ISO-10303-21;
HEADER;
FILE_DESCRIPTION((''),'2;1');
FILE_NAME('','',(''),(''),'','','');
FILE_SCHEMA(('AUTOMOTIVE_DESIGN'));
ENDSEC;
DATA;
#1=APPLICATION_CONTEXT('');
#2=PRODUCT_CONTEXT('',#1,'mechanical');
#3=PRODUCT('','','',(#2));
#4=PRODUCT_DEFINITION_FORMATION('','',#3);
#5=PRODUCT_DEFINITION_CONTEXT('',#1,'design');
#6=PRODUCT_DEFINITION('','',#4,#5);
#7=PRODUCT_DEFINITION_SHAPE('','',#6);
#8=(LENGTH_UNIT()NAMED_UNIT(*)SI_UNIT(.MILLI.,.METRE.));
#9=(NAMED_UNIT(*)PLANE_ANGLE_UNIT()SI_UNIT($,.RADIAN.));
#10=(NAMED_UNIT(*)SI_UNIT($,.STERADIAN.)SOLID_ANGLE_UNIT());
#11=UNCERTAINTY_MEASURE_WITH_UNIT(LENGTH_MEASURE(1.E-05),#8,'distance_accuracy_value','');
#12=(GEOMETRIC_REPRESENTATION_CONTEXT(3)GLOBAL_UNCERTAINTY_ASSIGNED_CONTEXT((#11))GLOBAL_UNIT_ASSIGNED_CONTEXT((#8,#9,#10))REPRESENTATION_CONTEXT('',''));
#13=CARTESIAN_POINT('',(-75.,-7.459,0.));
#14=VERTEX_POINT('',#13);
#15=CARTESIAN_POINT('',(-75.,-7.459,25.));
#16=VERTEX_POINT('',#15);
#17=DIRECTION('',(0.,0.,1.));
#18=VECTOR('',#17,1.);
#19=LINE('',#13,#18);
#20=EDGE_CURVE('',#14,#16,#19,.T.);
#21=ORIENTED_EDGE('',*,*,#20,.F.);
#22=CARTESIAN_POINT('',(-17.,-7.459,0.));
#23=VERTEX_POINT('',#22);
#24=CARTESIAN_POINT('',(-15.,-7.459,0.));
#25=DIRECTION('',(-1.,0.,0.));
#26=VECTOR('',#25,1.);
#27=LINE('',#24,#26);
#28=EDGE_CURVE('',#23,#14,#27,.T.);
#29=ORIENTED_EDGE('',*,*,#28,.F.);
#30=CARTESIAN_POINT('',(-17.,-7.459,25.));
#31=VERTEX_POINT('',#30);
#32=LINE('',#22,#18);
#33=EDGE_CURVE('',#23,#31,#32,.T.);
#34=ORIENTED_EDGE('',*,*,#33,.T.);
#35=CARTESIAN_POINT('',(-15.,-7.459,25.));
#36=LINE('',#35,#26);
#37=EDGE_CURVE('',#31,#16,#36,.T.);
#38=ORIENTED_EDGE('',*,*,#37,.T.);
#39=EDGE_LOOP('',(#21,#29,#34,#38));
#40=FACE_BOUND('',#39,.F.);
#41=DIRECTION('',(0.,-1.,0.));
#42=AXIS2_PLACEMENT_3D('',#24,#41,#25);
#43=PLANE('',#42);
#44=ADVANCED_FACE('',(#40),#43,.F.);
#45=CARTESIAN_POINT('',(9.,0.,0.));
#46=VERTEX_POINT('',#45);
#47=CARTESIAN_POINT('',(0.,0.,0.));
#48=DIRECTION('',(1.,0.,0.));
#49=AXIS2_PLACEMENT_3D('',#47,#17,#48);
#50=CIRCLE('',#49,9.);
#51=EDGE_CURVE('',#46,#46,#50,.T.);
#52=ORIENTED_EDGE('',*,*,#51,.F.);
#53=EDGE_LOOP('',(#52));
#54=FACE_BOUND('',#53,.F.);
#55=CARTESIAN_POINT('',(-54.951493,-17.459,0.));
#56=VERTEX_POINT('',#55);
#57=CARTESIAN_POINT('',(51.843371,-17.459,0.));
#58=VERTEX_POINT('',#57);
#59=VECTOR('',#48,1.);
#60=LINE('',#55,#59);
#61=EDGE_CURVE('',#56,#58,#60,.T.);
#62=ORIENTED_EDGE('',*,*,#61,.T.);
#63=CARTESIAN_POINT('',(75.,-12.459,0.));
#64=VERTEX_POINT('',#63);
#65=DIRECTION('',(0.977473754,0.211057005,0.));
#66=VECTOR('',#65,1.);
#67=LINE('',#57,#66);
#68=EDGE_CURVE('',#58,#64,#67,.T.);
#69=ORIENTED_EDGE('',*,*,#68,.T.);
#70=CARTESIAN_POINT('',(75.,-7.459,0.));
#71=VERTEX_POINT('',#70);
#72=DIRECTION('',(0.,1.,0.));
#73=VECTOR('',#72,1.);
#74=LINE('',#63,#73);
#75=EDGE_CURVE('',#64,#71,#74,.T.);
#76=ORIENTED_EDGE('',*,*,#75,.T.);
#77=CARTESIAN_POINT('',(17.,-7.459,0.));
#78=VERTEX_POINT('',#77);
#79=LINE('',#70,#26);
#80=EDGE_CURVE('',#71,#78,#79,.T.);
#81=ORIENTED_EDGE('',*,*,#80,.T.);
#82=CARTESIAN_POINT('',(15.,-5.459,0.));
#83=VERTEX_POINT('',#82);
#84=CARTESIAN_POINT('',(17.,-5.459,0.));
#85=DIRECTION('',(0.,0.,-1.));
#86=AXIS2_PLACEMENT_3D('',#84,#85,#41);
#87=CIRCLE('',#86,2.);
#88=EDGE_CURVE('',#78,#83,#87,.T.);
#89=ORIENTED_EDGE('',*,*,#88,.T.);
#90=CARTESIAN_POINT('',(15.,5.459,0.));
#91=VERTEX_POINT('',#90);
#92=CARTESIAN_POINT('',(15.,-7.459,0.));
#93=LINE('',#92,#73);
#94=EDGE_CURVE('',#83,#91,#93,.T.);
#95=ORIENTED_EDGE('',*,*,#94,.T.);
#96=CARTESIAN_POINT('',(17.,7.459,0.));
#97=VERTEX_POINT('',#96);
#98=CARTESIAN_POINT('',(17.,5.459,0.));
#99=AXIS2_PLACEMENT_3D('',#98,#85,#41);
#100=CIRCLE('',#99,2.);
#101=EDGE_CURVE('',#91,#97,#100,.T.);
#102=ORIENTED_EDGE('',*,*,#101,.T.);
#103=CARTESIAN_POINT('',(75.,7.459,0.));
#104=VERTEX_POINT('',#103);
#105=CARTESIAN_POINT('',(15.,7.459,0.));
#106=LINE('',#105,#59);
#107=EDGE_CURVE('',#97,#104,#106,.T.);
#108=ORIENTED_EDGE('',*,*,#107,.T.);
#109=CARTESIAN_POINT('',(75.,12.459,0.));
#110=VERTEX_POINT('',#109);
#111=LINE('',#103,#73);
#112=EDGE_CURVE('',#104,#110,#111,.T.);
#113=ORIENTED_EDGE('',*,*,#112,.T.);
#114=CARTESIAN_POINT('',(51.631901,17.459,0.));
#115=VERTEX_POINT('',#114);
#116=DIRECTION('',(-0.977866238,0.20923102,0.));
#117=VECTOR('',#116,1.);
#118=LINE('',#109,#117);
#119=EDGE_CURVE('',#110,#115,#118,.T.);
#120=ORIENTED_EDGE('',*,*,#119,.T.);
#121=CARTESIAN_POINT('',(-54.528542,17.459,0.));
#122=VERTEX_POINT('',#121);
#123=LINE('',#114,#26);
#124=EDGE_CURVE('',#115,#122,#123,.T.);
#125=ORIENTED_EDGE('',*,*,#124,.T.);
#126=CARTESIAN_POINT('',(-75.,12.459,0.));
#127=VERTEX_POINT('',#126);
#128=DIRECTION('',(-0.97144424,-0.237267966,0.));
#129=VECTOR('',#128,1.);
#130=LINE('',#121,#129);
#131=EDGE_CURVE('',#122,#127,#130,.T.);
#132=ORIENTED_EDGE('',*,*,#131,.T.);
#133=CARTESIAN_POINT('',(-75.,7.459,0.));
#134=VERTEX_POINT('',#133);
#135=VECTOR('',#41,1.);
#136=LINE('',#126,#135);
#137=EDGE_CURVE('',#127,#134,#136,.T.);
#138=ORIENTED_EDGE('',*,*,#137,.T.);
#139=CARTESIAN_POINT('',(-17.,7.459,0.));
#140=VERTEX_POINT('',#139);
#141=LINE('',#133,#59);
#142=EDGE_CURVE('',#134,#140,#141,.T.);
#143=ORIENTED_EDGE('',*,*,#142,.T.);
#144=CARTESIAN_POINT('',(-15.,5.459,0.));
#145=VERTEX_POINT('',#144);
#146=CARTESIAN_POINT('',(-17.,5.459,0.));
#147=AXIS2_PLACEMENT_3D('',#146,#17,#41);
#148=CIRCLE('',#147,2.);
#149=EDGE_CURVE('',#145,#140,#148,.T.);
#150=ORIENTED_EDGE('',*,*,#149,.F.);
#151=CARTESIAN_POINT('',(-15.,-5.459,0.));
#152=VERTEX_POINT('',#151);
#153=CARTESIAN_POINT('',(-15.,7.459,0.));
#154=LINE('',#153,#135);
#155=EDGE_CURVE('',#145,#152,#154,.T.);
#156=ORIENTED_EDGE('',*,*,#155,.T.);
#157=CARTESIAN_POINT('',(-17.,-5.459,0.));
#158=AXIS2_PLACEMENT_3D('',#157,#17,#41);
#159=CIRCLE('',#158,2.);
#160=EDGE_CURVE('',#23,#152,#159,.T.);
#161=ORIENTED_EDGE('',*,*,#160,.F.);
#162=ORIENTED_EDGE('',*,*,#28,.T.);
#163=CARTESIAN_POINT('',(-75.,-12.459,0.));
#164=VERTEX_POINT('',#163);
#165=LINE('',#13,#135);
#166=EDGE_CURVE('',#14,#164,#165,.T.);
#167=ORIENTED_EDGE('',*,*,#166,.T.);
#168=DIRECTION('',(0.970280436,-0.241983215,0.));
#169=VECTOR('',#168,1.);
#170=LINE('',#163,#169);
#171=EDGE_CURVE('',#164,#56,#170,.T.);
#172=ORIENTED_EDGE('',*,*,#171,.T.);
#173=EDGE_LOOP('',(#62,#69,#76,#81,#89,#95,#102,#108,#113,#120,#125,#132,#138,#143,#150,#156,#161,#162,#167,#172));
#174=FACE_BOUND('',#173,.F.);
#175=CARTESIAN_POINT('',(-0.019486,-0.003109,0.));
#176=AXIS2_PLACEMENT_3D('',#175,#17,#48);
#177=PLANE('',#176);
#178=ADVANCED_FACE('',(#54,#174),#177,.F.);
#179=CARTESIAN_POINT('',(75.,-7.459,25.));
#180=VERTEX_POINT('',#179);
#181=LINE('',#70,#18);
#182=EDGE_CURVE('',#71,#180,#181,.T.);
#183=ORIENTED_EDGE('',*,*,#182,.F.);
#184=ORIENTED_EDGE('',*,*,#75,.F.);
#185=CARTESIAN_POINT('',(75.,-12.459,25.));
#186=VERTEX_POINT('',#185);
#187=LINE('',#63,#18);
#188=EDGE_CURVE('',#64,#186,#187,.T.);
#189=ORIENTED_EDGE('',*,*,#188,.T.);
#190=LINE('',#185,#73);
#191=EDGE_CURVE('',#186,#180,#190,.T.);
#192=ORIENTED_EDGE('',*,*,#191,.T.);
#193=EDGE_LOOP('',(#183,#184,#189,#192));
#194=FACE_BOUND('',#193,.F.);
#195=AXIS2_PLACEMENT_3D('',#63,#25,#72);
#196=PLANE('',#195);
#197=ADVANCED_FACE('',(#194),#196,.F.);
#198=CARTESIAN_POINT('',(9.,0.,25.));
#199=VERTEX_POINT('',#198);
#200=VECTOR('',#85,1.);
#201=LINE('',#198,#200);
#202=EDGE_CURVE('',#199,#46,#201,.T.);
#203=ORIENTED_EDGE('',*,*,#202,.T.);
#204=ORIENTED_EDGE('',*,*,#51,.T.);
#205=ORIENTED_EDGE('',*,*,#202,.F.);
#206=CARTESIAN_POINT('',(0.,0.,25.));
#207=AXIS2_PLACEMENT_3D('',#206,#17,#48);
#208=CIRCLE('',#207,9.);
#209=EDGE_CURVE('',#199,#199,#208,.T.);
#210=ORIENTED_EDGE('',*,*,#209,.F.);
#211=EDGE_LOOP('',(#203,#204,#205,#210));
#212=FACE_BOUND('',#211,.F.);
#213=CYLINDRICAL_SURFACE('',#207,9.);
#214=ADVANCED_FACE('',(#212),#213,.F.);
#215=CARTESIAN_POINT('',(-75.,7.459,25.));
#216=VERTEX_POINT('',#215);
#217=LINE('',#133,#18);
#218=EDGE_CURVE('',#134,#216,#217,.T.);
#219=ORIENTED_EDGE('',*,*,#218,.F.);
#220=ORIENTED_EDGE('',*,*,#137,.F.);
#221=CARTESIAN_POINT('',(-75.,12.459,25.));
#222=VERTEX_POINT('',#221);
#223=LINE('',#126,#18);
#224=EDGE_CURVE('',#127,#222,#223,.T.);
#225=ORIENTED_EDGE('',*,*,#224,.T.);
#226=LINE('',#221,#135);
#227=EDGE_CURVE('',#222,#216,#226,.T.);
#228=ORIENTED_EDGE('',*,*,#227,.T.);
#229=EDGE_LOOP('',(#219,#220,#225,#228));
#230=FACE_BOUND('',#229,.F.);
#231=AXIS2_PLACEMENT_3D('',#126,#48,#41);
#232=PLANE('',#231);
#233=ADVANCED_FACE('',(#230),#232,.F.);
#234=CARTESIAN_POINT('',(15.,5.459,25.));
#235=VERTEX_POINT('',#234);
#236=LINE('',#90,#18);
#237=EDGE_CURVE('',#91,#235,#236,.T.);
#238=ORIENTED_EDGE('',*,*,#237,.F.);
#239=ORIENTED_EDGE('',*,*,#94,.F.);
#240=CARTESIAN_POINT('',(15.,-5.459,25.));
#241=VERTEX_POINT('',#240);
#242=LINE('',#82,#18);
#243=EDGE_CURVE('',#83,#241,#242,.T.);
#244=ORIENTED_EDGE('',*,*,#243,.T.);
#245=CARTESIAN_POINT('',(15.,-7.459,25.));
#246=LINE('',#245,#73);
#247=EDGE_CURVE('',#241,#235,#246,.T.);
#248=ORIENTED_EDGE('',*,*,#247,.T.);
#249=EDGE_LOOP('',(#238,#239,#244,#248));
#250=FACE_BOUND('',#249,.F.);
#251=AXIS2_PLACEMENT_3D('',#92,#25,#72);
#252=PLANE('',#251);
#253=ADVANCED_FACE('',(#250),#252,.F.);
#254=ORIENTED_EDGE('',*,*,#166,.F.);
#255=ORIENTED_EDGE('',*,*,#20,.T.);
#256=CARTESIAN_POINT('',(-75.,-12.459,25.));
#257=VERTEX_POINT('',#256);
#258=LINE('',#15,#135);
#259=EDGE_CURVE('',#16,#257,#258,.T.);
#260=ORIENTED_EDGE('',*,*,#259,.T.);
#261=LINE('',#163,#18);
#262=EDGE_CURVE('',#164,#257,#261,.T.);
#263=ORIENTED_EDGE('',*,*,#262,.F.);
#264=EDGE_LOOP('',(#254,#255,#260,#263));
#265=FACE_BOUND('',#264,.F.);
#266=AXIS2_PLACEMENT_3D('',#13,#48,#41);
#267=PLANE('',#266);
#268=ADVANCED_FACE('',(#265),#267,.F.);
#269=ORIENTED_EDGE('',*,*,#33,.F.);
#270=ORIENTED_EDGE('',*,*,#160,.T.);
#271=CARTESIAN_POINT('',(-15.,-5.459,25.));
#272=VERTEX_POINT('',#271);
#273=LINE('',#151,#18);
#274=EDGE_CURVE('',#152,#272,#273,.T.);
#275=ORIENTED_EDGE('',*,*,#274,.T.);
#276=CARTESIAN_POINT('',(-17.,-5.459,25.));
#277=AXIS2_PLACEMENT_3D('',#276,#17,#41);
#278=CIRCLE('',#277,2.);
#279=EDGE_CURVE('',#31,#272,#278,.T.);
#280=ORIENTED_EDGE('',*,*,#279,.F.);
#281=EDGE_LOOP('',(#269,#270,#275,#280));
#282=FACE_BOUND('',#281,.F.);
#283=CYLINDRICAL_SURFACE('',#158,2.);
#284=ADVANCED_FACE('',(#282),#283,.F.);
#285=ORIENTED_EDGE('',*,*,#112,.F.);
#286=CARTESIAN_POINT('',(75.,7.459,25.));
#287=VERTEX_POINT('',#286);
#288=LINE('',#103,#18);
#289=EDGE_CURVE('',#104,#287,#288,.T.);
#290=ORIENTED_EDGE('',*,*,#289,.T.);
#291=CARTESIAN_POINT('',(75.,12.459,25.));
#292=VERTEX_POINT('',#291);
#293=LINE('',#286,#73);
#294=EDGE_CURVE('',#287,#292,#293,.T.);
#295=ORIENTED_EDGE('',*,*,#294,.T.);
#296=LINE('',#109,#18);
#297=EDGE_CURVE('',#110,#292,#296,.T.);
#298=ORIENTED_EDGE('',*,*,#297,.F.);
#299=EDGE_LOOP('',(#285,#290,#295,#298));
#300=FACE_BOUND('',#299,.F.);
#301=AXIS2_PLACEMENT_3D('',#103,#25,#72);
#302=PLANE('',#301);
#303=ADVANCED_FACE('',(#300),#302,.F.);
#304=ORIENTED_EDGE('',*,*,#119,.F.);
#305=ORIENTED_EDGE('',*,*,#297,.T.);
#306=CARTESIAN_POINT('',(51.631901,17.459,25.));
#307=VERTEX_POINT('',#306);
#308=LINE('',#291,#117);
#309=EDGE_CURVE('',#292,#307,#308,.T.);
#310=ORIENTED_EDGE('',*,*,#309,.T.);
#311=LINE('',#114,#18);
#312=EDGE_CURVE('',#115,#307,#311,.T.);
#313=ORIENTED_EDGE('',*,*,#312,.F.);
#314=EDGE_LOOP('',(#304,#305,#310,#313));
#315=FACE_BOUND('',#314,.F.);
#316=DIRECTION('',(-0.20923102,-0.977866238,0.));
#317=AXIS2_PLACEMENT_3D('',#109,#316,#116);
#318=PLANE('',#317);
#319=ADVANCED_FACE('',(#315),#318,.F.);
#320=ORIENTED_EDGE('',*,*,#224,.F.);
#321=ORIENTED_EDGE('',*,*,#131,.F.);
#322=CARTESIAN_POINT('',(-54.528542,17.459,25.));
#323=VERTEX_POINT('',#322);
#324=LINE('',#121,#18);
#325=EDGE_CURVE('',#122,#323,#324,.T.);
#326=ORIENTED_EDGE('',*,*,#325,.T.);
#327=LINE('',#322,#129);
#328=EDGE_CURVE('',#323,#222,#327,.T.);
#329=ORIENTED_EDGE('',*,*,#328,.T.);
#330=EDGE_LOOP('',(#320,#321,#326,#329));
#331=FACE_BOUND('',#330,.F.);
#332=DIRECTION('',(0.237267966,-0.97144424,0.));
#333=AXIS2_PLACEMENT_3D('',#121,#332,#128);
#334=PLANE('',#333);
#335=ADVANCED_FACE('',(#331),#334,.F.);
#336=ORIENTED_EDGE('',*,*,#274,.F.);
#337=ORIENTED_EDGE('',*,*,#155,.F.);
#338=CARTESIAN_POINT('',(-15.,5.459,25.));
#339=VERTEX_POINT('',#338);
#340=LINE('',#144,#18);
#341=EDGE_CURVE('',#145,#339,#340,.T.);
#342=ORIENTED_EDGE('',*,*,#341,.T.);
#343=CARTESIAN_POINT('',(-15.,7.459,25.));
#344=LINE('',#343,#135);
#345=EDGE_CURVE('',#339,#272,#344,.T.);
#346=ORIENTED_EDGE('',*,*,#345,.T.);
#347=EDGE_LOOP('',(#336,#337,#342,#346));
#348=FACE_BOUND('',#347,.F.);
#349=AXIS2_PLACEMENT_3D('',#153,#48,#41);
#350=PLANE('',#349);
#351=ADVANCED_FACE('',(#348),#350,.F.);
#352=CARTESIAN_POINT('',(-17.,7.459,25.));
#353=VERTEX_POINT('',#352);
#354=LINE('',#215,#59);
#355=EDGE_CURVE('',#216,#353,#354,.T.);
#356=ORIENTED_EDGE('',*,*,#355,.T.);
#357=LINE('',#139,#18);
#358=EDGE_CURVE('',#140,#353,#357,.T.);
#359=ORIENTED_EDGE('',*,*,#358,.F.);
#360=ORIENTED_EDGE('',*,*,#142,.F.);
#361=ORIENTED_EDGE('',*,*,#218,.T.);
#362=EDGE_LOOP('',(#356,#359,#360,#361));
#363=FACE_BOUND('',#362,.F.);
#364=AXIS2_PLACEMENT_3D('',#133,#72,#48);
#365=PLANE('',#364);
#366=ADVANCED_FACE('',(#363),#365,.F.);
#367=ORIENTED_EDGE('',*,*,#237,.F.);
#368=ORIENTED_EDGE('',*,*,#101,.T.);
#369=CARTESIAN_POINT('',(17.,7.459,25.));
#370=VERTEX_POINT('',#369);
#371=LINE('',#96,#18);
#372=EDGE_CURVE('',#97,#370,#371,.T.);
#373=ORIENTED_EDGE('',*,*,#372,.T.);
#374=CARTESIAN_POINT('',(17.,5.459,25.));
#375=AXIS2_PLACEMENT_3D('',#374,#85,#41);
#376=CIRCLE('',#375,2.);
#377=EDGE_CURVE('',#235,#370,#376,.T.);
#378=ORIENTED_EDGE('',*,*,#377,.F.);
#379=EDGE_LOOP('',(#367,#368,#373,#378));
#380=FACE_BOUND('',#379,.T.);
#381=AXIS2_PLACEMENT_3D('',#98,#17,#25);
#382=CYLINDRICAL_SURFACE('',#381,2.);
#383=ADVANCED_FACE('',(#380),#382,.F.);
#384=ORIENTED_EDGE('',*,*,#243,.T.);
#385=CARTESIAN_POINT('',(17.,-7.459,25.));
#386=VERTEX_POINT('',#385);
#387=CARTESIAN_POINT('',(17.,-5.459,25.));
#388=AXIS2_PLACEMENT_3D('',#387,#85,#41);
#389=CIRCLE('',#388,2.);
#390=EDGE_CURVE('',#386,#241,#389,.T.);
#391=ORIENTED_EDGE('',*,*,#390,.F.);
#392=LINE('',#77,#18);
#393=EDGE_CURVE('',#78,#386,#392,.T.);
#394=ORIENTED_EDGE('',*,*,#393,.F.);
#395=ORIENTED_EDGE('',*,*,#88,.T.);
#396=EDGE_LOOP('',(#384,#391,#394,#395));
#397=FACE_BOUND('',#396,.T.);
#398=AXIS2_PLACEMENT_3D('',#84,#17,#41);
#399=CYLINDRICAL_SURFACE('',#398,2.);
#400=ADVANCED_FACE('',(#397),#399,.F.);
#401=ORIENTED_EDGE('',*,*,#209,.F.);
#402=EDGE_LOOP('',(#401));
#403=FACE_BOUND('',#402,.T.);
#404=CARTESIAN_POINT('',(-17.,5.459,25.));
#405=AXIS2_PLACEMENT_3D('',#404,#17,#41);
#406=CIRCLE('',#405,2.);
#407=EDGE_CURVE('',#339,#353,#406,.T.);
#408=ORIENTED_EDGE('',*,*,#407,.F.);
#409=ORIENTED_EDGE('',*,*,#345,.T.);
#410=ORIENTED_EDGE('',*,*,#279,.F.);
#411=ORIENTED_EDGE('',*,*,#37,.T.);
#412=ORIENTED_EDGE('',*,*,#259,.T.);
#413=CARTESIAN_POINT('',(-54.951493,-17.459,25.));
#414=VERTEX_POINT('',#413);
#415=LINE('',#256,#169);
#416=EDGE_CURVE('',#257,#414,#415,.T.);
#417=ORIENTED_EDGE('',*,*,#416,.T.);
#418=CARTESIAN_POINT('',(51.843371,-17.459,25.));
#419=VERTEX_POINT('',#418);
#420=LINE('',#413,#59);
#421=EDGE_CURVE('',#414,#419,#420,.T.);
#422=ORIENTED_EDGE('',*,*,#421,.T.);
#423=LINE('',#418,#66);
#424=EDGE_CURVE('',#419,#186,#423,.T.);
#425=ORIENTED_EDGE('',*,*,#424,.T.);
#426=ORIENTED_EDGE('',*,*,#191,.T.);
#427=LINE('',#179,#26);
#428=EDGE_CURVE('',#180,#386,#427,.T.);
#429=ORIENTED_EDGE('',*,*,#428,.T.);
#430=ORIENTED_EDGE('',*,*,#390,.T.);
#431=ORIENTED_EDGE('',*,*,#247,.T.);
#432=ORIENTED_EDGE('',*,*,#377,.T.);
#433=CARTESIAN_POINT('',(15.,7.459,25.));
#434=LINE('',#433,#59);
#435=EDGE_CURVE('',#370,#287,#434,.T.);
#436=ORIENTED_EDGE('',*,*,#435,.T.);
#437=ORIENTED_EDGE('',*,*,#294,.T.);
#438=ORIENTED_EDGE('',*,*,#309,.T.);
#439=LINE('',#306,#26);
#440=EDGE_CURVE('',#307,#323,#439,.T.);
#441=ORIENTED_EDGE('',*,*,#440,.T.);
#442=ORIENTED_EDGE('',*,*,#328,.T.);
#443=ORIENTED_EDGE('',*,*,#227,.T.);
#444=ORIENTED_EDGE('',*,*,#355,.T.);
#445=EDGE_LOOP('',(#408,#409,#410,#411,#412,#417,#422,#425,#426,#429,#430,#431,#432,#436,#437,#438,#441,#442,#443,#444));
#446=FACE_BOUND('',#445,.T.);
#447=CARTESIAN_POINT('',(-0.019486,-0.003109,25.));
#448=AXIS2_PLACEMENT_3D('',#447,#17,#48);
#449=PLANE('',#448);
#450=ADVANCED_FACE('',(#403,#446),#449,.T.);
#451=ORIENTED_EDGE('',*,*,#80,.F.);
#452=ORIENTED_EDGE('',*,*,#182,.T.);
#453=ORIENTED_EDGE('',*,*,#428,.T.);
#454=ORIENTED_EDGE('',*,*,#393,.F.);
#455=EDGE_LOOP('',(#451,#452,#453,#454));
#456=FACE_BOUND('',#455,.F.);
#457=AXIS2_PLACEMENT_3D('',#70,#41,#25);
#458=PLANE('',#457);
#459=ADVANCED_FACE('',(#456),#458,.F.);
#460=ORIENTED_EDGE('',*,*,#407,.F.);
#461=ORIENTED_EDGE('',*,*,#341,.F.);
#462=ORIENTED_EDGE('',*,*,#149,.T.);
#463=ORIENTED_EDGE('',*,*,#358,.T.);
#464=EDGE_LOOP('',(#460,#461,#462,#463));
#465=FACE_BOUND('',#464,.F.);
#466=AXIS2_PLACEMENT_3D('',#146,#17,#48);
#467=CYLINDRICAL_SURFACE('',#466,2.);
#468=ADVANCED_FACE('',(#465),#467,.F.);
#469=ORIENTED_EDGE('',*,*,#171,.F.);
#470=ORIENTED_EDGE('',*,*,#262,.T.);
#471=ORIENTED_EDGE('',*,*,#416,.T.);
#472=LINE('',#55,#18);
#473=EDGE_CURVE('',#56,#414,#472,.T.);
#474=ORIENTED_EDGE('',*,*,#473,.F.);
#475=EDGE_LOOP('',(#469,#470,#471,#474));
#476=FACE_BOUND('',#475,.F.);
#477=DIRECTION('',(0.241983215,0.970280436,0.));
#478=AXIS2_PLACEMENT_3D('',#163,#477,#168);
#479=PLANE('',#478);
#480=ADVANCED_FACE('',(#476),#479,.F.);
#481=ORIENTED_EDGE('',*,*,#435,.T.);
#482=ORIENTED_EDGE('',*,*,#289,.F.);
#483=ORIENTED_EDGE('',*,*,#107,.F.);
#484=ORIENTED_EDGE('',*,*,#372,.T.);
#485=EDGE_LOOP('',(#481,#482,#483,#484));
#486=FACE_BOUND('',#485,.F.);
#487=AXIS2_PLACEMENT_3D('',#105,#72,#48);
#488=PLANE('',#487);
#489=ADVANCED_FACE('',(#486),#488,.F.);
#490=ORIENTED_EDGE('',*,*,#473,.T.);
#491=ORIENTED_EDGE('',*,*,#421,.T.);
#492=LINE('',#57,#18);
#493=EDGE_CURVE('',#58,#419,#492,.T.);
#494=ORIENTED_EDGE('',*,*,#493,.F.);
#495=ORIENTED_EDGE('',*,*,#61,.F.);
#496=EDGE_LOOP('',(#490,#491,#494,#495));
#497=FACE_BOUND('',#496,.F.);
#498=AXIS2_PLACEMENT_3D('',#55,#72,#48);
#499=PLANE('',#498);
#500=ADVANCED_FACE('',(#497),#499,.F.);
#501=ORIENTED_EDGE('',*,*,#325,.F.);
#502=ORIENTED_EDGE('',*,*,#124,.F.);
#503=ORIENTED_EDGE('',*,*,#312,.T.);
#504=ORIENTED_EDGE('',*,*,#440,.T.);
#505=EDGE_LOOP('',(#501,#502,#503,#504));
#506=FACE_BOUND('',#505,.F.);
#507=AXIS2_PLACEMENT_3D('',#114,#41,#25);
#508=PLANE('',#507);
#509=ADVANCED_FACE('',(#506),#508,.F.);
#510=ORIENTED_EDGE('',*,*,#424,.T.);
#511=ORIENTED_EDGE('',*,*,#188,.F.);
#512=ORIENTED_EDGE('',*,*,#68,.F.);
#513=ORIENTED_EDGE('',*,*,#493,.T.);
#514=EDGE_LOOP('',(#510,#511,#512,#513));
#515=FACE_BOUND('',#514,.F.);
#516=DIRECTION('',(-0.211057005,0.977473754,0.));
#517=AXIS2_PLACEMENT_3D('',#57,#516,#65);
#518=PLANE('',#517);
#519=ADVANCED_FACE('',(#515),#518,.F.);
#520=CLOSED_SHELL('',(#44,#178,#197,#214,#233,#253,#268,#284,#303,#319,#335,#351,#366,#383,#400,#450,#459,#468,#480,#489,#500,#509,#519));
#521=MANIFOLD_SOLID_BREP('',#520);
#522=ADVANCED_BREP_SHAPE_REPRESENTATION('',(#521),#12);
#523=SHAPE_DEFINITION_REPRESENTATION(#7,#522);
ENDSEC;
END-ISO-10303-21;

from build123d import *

# Parameters (mm, degrees)
F1_DEPTH = 25
F2_R     = 9
F3_DEPTH = 40
F4_R     = 2


with BuildPart() as f1:
    # F0 (on Top) → F1 (new body)
    with BuildSketch(Plane.XY):
        Polygon((-15, -7.459), (-75, -7.459), (-75, -12.459), (-54.951493, -17.459), (51.843371, -17.459), (75, -12.459), (75, -7.459), (15, -7.459), (15, 7.459), (75, 7.459), (75, 12.459), (51.631901, 17.459), (-54.528542, 17.459), (-75, 12.459), (-75, 7.459), (-15, 7.459), align=None)
    extrude(amount=F1_DEPTH)

    # F2 (on face) → F3 (cut)
    with BuildSketch(Plane.XY.offset(25)):
        Circle(F2_R)
    extrude(amount=-F3_DEPTH, mode=Mode.SUBTRACT)

    # F4
    f4_edges = [f1.edges().sort_by_distance(p)[0] for p in [
        (-15, -7.459, 12.5),
        (-15, 7.459, 12.5),
        (15, -7.459, 12.5),
        (15, 7.459, 12.5),
    ]]
    fillet(f4_edges, radius=F4_R)


solid = f1.part
